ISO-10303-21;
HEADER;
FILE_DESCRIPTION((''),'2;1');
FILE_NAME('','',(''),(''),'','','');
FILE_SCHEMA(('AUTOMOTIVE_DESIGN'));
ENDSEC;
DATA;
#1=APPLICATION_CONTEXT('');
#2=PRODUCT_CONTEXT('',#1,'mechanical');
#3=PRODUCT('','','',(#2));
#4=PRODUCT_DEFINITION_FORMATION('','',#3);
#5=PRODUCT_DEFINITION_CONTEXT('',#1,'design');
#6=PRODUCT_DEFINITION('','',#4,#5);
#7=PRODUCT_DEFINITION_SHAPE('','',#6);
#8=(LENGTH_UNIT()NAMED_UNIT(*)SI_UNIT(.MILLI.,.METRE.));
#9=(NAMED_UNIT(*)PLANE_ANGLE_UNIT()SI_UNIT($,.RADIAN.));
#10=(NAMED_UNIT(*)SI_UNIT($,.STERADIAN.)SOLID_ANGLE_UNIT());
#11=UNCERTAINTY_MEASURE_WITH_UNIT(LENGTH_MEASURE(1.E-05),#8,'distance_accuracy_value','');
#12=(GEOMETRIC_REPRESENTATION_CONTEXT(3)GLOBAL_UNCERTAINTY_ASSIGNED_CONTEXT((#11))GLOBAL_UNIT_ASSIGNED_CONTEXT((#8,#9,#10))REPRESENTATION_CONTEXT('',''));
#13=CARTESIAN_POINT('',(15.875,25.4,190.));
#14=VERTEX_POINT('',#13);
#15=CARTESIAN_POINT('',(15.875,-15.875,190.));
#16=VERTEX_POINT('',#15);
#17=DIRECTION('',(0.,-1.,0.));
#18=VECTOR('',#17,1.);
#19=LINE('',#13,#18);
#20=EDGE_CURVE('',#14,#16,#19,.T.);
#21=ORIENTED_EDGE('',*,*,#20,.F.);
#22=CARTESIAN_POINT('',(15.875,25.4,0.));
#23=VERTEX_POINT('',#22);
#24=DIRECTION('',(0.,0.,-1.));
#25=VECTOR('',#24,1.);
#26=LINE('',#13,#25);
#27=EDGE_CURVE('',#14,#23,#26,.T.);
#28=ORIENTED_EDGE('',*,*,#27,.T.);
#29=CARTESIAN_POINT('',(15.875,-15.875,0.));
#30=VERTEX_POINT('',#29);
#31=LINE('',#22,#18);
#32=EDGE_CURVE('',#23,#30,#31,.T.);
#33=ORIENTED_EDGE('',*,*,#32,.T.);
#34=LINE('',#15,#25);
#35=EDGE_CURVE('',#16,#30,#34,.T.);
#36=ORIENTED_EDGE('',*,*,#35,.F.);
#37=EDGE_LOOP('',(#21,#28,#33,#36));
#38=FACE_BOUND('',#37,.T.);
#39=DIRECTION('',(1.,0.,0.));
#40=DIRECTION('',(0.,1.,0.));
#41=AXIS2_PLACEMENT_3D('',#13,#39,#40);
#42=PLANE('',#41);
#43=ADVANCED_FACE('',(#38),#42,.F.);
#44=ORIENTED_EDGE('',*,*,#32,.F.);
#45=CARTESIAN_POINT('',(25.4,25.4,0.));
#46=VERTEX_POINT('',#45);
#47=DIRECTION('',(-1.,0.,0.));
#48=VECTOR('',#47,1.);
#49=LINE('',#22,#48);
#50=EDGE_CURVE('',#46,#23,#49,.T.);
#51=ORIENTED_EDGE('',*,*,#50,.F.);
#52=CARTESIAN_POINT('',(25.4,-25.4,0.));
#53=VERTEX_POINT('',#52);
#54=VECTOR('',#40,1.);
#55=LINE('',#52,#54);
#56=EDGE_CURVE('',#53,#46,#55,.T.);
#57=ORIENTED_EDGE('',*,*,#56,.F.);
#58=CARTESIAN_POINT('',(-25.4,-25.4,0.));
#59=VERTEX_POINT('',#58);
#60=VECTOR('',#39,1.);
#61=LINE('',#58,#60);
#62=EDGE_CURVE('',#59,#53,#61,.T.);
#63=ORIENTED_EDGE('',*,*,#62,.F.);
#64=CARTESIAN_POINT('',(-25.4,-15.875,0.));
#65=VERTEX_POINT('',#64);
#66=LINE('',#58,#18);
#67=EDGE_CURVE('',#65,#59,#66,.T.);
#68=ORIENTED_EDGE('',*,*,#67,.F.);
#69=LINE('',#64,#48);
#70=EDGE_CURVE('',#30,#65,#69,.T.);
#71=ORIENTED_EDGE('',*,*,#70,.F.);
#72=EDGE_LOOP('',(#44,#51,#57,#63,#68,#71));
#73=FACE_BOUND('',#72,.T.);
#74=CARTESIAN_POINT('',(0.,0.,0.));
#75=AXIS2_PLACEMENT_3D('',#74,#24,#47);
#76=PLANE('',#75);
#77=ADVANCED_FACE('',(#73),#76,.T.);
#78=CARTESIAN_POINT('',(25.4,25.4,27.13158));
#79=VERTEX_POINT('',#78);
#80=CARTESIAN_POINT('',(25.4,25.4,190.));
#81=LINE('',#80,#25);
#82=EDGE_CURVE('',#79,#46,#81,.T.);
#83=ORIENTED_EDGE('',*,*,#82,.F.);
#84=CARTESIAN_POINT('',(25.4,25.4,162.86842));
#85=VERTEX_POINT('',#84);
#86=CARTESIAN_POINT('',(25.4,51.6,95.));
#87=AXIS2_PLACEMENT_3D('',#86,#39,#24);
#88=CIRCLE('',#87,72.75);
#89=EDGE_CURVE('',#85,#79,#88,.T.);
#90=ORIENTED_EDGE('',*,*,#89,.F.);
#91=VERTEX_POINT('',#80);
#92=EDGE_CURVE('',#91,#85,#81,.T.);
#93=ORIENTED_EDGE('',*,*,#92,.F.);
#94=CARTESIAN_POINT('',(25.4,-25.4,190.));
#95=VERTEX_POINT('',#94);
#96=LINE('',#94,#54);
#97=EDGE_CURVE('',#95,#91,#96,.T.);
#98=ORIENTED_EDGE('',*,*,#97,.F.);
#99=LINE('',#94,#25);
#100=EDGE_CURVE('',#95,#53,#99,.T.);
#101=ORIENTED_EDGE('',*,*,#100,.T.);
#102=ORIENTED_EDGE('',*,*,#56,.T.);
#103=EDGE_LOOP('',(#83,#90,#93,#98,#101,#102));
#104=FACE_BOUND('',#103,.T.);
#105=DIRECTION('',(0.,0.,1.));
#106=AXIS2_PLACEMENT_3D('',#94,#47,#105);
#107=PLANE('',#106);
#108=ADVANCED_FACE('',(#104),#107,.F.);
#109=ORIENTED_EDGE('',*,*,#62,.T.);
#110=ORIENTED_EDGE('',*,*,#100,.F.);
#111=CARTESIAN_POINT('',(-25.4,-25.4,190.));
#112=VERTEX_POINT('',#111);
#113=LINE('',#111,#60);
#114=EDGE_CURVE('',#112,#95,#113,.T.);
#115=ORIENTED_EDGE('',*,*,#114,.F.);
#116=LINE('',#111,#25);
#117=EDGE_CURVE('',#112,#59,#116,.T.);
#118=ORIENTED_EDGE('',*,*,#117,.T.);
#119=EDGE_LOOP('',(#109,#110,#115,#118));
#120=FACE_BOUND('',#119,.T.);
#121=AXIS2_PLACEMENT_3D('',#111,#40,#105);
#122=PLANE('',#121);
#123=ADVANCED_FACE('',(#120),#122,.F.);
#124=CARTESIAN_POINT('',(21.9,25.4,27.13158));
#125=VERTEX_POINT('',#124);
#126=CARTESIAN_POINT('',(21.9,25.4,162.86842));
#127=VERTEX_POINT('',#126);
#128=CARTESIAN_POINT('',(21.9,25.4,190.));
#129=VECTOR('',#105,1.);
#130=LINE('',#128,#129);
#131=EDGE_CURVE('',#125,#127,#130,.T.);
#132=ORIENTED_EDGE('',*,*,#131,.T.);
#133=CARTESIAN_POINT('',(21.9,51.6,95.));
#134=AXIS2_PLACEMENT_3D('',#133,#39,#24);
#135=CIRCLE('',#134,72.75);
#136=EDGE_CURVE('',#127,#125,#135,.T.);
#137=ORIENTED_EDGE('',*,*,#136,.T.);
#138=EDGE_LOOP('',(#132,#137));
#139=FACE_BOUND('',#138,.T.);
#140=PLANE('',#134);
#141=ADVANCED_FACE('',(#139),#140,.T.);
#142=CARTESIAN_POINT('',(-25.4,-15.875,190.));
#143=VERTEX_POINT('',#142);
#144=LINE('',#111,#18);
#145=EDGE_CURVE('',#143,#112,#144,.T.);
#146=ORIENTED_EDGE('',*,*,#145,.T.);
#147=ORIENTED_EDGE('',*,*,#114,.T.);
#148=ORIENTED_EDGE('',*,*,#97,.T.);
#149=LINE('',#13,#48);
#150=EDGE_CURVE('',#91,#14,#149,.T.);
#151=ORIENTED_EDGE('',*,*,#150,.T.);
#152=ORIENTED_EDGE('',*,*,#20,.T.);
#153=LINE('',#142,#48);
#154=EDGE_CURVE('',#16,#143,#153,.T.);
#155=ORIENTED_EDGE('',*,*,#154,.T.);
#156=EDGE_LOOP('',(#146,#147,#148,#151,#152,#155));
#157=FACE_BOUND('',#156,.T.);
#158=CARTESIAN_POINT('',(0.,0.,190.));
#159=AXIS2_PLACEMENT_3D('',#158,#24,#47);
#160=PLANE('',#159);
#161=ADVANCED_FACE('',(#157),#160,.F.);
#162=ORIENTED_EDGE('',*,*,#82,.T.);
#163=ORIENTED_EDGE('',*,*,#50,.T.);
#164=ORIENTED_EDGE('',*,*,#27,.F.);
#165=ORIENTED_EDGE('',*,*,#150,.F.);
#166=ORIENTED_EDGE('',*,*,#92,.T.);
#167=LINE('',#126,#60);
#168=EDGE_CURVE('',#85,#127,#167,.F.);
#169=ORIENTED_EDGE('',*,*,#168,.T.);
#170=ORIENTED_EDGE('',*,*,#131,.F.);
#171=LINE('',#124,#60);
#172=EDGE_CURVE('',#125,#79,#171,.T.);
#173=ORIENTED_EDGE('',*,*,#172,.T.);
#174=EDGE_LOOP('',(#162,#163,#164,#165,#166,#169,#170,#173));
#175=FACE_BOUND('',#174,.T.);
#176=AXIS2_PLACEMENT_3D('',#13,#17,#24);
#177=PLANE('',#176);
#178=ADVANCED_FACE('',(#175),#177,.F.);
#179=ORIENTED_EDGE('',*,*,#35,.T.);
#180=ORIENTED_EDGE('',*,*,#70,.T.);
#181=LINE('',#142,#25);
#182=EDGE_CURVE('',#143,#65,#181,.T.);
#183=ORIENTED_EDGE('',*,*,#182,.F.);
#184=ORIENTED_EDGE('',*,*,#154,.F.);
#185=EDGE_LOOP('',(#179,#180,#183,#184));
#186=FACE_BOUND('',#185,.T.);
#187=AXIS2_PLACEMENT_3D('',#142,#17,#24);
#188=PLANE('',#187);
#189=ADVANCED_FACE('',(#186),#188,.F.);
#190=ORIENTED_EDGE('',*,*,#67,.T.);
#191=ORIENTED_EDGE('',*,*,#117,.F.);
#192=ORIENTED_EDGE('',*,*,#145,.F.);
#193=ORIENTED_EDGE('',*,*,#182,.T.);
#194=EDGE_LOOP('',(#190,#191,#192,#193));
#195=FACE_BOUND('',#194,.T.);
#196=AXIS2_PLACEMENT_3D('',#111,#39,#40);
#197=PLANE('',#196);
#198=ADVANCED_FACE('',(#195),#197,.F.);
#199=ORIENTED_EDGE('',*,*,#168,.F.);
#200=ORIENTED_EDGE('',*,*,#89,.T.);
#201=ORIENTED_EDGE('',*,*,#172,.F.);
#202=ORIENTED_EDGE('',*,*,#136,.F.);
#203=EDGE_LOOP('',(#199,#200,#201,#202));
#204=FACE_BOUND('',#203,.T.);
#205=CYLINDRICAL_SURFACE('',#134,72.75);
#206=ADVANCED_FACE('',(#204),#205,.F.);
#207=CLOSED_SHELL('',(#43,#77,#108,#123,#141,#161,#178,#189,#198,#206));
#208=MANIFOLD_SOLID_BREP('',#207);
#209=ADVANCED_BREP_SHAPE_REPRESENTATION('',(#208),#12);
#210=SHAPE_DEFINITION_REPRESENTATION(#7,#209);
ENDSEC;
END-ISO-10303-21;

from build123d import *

# Parameters (mm, degrees)
BOSS_EXTRUDE1_DEPTH = 190
SKETCH3_R           = 72.75
CUT_EXTRUDE3_DEPTH  = 3.5


with BuildPart() as part:
    # Sketch1 → Boss-Extrude1 (new body)
    with BuildSketch(Plane.XY):
        Polygon((-25.4, -25.4), (25.4, -25.4), (25.4, 25.4), (15.875, 25.4), (15.875, -15.875), (-25.4, -15.875), align=None)
    extrude(amount=BOSS_EXTRUDE1_DEPTH)

    # Sketch3 → Cut-Extrude3 (cut)
    with BuildSketch(Plane(origin=(25.4, 0, 0), x_dir=(0, 0, -1), z_dir=(1, 0, 0))):
        with Locations((-95, 51.6)):
            Circle(SKETCH3_R)
    extrude(amount=-CUT_EXTRUDE3_DEPTH, mode=Mode.SUBTRACT)


solid = part.part
